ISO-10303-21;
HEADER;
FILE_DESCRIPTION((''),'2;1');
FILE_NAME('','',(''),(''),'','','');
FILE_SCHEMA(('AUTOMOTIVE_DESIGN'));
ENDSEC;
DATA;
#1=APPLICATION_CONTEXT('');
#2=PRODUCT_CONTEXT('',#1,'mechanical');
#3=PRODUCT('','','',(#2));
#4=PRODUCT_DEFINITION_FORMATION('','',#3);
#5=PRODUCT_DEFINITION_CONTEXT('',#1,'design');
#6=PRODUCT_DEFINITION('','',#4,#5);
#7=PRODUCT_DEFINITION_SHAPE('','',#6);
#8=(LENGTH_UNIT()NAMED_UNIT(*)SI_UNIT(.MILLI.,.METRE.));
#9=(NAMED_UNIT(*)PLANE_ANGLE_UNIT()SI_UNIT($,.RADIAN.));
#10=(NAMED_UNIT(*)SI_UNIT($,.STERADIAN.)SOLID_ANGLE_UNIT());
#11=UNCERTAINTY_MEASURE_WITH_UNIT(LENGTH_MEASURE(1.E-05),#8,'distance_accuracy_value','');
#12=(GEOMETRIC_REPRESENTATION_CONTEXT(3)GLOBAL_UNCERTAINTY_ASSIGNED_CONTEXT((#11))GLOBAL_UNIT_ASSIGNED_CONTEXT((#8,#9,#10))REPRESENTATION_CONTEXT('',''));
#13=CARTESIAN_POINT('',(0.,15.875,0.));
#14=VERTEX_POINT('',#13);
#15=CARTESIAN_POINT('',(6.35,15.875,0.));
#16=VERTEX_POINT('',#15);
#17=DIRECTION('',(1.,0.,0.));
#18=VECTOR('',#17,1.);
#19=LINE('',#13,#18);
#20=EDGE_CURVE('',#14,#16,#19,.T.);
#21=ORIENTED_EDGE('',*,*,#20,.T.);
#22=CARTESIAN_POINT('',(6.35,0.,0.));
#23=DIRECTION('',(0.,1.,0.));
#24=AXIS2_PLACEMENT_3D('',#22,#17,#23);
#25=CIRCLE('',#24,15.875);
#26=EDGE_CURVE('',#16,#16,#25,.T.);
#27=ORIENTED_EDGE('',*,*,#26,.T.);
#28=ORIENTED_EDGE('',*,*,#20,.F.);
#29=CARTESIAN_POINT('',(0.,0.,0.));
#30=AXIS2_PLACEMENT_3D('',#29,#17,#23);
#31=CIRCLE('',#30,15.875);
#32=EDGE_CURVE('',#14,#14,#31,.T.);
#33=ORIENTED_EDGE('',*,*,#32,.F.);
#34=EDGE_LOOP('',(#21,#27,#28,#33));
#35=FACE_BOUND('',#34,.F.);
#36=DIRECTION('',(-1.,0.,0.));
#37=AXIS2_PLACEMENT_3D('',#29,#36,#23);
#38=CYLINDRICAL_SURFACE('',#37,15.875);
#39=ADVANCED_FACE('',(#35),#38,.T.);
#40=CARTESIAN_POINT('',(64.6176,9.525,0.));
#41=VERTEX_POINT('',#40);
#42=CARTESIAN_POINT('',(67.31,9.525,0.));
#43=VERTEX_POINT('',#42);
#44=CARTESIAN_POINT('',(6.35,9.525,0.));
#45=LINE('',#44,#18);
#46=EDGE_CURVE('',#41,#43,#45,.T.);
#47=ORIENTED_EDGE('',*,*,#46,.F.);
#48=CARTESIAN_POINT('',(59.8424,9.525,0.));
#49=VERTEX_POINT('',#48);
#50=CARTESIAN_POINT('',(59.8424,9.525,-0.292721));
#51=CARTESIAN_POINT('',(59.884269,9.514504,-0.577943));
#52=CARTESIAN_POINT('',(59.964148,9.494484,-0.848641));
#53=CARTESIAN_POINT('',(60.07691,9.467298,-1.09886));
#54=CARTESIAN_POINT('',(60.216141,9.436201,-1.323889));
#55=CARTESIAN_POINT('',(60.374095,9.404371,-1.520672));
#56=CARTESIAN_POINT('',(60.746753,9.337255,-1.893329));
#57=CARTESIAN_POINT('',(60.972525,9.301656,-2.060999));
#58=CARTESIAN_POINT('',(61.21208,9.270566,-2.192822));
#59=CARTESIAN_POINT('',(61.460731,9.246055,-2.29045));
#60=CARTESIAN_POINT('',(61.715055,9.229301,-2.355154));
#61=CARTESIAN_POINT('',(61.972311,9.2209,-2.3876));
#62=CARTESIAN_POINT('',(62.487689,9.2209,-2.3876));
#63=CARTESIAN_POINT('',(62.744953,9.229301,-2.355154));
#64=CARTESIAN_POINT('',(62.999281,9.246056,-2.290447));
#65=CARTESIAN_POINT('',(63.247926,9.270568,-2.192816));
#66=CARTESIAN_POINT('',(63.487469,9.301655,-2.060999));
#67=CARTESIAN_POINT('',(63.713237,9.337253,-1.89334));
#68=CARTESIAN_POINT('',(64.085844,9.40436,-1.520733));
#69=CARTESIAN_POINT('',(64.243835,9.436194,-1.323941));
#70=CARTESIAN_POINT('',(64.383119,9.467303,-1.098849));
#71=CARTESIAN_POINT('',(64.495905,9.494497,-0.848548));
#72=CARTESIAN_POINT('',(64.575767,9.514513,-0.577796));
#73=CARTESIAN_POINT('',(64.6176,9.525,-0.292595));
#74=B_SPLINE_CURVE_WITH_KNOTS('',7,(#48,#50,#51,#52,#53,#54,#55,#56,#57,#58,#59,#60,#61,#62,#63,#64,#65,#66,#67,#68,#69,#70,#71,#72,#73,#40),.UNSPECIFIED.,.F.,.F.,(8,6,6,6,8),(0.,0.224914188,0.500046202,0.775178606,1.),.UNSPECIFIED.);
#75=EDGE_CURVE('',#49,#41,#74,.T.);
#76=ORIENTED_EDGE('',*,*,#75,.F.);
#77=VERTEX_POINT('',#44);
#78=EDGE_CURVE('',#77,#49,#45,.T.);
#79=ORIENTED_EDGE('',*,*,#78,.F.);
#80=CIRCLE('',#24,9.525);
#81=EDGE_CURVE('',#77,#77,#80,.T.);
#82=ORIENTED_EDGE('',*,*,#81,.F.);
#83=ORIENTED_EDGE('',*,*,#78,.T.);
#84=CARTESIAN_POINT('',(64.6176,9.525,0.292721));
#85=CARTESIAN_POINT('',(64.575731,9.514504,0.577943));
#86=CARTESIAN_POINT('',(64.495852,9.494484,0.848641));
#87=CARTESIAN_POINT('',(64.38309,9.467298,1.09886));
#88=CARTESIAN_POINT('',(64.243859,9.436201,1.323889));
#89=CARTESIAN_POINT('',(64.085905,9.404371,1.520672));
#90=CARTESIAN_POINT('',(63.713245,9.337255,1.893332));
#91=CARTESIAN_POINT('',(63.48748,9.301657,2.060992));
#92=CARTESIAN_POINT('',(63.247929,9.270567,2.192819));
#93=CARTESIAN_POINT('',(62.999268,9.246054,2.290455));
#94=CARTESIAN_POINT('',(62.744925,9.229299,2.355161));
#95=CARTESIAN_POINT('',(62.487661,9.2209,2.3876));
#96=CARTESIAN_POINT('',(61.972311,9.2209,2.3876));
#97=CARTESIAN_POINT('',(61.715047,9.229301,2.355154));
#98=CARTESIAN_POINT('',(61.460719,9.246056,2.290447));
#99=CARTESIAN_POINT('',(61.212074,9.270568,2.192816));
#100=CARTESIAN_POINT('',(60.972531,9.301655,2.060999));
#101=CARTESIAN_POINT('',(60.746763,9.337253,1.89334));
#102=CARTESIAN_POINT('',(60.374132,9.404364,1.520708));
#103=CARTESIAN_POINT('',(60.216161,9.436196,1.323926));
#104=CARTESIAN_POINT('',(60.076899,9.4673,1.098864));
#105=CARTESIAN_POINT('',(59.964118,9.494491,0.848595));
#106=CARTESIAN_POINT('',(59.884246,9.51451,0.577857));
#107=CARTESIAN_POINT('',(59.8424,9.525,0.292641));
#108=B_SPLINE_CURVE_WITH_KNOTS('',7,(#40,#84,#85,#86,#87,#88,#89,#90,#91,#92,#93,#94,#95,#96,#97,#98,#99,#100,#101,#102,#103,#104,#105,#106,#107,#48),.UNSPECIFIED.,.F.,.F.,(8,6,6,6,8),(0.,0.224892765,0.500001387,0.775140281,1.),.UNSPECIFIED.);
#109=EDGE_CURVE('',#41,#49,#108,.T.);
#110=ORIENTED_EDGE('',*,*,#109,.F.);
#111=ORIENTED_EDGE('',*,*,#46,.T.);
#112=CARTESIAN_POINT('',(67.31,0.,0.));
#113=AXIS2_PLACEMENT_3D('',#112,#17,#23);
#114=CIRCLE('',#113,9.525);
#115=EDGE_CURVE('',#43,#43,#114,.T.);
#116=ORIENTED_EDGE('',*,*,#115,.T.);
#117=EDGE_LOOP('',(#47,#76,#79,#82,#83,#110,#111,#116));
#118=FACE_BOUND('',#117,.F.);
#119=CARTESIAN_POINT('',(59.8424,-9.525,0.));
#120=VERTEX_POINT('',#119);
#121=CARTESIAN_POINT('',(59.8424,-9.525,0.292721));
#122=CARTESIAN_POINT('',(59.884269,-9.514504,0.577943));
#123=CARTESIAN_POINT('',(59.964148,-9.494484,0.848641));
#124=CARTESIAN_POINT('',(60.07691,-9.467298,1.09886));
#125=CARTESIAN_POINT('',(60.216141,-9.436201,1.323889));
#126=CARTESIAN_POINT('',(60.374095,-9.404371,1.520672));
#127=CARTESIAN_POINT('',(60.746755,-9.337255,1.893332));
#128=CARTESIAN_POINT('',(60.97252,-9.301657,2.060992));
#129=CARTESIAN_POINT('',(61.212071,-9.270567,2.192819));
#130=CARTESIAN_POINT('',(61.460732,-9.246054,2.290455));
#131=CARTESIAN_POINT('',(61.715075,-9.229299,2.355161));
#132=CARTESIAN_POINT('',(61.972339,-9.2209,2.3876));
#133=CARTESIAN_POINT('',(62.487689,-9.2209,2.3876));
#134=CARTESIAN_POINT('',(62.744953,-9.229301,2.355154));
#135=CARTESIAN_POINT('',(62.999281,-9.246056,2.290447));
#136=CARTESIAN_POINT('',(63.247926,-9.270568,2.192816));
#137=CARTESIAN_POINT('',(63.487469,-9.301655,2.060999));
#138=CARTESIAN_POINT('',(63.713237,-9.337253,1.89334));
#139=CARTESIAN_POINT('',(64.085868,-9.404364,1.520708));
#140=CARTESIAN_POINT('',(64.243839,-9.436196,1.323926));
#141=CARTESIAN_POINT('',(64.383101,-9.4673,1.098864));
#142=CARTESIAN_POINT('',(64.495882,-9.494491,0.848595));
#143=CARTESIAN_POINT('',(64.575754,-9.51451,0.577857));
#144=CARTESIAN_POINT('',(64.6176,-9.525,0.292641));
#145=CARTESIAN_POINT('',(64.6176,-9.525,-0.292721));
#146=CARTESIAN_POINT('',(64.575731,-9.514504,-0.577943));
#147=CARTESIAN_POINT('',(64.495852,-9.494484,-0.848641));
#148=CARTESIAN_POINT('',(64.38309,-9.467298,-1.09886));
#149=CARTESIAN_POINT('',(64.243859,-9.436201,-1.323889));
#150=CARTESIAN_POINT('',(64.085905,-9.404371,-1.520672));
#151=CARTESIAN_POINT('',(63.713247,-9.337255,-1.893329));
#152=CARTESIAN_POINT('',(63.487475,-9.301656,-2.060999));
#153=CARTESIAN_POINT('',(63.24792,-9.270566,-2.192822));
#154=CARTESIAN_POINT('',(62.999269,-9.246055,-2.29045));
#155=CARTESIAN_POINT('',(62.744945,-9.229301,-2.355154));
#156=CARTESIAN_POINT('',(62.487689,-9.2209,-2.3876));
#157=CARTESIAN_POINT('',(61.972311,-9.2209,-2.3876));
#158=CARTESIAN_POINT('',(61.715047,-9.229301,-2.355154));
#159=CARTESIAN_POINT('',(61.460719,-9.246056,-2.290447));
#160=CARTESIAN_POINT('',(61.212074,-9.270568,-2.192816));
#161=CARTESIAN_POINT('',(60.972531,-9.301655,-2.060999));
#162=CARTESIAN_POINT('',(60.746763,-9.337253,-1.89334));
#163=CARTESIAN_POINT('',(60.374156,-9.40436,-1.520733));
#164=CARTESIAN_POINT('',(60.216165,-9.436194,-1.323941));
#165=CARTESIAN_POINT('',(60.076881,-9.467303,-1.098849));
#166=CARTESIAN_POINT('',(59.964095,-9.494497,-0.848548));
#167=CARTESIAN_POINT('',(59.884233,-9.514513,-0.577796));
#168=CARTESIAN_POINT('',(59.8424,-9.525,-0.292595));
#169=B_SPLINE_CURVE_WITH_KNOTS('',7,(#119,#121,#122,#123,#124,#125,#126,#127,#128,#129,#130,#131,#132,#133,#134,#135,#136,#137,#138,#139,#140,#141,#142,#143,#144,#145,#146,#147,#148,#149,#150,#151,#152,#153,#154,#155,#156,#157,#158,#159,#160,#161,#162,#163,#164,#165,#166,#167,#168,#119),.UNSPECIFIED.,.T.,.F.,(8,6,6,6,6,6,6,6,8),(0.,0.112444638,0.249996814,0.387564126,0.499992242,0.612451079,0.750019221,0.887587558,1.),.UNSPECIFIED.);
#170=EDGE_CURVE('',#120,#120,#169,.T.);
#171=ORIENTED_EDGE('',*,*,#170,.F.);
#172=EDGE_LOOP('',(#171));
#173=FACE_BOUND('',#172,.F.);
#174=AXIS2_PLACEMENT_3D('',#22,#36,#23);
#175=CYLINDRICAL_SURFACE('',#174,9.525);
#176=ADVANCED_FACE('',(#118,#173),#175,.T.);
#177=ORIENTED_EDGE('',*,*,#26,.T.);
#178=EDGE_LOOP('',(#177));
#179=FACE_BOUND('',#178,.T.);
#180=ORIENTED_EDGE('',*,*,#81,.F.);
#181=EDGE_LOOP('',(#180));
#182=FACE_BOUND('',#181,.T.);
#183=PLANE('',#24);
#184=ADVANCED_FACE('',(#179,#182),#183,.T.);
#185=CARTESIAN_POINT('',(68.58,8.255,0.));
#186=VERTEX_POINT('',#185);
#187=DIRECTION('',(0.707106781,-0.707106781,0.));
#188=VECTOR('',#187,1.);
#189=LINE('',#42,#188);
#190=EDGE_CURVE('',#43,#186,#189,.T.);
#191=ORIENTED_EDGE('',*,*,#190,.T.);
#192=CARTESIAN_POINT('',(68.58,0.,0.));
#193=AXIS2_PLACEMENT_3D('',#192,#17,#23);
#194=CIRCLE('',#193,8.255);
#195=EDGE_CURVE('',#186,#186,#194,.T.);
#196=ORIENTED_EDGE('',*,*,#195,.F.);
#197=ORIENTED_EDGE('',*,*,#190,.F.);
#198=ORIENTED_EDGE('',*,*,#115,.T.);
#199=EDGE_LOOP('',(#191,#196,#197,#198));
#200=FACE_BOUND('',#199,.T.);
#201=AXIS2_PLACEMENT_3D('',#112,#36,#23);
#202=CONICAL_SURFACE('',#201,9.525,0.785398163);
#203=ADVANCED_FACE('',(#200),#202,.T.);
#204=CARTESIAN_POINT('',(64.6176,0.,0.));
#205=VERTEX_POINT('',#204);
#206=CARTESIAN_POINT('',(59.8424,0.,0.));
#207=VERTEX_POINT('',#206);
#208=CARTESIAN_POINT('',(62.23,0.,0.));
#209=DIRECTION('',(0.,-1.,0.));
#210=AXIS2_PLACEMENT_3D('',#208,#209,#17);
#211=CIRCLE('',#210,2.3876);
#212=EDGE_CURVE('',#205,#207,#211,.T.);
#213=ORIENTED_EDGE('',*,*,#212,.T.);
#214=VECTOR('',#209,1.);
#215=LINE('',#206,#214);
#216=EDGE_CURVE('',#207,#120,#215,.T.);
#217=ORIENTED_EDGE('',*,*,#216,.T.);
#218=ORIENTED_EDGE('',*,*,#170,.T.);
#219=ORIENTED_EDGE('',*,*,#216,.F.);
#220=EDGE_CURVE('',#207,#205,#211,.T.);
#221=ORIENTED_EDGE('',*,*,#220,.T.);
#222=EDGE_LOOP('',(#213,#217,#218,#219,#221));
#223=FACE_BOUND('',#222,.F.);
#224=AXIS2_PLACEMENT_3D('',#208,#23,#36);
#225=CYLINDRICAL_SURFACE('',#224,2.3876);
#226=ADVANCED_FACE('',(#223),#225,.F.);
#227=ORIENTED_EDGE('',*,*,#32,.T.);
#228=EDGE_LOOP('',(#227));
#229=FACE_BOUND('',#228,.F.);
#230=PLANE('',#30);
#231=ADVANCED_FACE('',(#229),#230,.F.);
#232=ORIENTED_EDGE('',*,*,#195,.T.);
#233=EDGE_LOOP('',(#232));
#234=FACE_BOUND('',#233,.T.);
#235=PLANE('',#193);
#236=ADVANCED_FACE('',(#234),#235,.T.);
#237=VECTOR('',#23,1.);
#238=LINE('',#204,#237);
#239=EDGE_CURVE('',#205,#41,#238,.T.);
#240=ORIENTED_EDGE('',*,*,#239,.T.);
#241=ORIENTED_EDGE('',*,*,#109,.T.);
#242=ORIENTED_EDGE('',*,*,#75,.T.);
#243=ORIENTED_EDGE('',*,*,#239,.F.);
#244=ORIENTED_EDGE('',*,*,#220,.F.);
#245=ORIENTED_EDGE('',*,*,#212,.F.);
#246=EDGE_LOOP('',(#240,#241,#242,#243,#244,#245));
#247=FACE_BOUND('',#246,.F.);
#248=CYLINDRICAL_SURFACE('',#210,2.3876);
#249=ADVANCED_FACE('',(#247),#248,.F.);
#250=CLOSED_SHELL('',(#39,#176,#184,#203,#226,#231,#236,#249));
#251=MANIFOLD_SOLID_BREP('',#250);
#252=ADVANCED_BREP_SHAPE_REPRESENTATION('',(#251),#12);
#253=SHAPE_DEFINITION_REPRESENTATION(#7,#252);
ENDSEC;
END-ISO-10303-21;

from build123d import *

# Parameters (mm, degrees)
F0_R     = 15.875
F1_DEPTH = 6.35
F2_R     = 9.525
F3_DEPTH = 62.23
F4_SIZE  = 1.27
F5_R     = 2.3876
F6_DEPTH = 15.876
F7_R     = 2.3876
F8_DEPTH = 15.876


with BuildPart() as f1:
    # F0 (on Right) → F1 (new body)
    with BuildSketch(Plane.YZ):
        Circle(F0_R)
    extrude(amount=F1_DEPTH)

    # F2 (on face) → F3 (join)
    with BuildSketch(Plane.YZ.offset(6.35)):
        Circle(F2_R)
    extrude(amount=F3_DEPTH)

    # F4
    f4_edges = [f1.edges().sort_by_distance(p)[0] for p in [
        (68.58, -9.525, 0),
    ]]
    chamfer(f4_edges, length=F4_SIZE)

    # F5 (on Front) → F6 (cut, through all)
    with BuildSketch(Plane.XZ):
        with Locations((62.23, 0)):
            Circle(F5_R)
    extrude(amount=-F6_DEPTH, mode=Mode.SUBTRACT)

    # F7 (on face) → F8 (cut, through all)
    with BuildSketch(Plane(origin=(0, 0, 0), x_dir=(-1, 0, 0), z_dir=(0, 1, 0))):
        with Locations((-62.23, 0)):
            Circle(F7_R)
    extrude(amount=-F8_DEPTH, mode=Mode.SUBTRACT)


solid = f1.part
